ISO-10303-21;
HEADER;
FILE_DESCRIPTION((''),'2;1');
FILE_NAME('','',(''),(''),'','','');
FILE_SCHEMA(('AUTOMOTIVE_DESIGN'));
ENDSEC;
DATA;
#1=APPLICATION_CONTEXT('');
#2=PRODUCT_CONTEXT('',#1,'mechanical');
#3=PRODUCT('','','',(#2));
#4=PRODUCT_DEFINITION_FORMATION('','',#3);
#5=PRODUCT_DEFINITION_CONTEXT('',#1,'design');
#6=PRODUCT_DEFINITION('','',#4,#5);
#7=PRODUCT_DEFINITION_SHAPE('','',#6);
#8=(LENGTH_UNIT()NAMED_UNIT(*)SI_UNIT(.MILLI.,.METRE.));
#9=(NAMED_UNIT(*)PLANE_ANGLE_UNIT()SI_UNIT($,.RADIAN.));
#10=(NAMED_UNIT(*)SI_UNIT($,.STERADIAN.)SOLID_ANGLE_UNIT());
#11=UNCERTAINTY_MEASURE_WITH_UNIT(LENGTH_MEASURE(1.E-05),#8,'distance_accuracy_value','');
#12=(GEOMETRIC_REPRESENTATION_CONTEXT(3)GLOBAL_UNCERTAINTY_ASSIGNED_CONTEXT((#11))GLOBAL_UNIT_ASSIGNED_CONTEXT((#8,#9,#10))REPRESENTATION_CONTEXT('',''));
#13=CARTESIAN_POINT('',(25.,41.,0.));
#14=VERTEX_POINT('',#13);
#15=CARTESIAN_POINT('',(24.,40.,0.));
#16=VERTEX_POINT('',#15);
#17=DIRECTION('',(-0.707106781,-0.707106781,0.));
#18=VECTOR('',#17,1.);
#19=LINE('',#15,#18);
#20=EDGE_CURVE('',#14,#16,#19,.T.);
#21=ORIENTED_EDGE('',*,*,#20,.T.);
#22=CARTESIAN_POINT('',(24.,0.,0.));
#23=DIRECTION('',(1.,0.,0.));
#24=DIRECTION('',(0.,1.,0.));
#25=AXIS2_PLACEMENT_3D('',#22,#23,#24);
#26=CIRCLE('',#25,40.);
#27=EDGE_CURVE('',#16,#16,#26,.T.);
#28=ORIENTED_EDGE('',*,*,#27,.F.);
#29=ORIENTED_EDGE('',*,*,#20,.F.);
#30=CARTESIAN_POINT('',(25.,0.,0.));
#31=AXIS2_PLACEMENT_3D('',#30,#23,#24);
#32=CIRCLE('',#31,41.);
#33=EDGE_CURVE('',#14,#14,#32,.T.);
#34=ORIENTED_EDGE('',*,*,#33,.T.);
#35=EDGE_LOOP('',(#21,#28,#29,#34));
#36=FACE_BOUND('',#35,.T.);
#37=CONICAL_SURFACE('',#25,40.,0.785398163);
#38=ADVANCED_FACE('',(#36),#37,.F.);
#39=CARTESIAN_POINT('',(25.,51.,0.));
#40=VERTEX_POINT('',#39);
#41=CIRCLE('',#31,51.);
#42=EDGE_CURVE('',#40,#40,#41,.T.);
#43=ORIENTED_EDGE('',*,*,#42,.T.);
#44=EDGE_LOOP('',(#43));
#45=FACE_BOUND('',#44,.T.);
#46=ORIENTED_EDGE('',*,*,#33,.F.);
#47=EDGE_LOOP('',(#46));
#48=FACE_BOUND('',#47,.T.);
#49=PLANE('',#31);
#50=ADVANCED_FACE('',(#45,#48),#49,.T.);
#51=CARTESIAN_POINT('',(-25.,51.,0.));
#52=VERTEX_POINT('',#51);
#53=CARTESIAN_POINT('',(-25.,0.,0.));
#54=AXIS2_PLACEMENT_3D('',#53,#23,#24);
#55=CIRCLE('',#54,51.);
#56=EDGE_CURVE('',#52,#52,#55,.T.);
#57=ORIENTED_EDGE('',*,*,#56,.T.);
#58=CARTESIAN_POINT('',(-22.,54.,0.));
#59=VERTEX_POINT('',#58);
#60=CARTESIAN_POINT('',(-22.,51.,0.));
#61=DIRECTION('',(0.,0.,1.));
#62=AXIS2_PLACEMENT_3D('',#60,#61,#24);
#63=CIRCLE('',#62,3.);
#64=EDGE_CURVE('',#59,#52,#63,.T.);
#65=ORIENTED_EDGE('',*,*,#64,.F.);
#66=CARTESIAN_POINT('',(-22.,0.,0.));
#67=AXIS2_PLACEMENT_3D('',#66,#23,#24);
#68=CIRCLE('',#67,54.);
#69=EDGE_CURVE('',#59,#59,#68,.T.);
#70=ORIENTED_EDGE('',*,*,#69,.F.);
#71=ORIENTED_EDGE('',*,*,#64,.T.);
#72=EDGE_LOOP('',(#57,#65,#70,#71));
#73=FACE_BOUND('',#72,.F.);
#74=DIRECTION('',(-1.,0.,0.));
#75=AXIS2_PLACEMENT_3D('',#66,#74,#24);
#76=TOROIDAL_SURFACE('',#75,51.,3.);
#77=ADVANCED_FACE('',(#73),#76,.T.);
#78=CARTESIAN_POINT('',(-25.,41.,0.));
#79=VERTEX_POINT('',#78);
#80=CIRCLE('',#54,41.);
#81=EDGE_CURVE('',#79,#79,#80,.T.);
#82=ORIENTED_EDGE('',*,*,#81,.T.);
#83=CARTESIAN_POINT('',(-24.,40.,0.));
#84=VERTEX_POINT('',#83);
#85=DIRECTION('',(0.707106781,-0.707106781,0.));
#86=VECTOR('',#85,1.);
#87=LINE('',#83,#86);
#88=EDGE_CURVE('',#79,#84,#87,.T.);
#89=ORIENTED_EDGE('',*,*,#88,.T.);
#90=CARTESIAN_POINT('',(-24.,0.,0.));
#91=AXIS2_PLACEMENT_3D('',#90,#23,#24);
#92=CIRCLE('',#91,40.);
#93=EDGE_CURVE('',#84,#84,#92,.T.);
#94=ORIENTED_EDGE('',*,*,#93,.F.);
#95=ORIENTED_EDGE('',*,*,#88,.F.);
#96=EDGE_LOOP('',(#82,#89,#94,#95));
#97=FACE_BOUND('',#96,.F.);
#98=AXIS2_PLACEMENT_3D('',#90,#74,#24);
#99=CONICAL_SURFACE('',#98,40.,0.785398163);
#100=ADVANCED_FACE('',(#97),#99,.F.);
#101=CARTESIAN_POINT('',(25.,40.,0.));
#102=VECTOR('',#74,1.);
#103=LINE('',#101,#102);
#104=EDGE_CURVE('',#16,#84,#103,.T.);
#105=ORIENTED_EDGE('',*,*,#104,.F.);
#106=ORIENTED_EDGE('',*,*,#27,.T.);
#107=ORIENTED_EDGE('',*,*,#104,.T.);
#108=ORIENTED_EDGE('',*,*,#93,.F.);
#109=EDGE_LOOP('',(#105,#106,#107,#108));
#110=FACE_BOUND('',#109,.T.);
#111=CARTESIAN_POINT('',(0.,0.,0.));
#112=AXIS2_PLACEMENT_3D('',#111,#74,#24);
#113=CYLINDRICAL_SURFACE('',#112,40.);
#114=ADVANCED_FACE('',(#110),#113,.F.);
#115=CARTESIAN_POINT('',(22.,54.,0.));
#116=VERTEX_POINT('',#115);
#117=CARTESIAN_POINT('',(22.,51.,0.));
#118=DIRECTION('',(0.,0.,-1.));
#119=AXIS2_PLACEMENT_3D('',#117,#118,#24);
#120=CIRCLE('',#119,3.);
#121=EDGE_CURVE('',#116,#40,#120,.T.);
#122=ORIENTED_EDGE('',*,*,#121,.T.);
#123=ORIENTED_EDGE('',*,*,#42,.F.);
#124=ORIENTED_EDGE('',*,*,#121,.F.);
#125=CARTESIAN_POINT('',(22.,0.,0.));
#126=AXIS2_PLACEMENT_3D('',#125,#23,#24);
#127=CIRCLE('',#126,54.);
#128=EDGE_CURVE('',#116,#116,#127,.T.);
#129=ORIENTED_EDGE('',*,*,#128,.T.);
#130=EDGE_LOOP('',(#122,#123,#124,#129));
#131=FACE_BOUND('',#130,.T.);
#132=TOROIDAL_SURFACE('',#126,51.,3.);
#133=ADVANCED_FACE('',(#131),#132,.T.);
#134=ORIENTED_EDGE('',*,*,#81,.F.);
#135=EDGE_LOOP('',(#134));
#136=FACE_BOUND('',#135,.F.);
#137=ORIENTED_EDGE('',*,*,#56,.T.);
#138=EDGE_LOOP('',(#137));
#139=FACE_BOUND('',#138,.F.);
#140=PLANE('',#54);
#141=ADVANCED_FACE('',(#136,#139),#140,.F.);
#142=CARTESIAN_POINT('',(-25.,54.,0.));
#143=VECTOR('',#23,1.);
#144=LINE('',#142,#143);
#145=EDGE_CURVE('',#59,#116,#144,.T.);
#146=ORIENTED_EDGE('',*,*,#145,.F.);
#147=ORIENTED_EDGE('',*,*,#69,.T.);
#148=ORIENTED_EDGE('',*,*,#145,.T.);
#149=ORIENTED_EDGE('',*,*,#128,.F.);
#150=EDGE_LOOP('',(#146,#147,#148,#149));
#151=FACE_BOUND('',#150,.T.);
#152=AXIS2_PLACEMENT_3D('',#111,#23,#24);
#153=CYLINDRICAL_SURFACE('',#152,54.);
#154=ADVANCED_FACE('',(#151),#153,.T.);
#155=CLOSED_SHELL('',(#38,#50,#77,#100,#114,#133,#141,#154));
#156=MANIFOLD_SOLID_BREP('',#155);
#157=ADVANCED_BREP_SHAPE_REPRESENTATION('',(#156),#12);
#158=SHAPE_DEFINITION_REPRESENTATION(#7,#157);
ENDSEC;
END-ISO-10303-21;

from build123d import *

# Parameters (mm, degrees)
SKETCH011_R   = 54
SKETCH011_R_2 = 40
PAD007_DEPTH  = 25
FILLET_R      = 3
CHAMFER_SIZE  = 1


with BuildPart() as part:
    # Sketch011 → Pad007 (new body, symmetric)
    with BuildSketch(Plane.YZ):
        Circle(SKETCH011_R)
        Circle(SKETCH011_R_2, mode=Mode.SUBTRACT)
    extrude(amount=PAD007_DEPTH, both=True)

    # Fillet
    fillet_edges = [part.edges().sort_by_distance(p)[0] for p in [
        (25, -54, 0),
        (-25, -54, 0),
    ]]
    fillet(fillet_edges, radius=FILLET_R)

    # Chamfer
    chamfer_edges = [part.edges().sort_by_distance(p)[0] for p in [
        (0, 40, 0),
        (-25, -40, 0),
        (25, -40, 0),
    ]]
    chamfer(chamfer_edges, length=CHAMFER_SIZE)


solid = part.part
